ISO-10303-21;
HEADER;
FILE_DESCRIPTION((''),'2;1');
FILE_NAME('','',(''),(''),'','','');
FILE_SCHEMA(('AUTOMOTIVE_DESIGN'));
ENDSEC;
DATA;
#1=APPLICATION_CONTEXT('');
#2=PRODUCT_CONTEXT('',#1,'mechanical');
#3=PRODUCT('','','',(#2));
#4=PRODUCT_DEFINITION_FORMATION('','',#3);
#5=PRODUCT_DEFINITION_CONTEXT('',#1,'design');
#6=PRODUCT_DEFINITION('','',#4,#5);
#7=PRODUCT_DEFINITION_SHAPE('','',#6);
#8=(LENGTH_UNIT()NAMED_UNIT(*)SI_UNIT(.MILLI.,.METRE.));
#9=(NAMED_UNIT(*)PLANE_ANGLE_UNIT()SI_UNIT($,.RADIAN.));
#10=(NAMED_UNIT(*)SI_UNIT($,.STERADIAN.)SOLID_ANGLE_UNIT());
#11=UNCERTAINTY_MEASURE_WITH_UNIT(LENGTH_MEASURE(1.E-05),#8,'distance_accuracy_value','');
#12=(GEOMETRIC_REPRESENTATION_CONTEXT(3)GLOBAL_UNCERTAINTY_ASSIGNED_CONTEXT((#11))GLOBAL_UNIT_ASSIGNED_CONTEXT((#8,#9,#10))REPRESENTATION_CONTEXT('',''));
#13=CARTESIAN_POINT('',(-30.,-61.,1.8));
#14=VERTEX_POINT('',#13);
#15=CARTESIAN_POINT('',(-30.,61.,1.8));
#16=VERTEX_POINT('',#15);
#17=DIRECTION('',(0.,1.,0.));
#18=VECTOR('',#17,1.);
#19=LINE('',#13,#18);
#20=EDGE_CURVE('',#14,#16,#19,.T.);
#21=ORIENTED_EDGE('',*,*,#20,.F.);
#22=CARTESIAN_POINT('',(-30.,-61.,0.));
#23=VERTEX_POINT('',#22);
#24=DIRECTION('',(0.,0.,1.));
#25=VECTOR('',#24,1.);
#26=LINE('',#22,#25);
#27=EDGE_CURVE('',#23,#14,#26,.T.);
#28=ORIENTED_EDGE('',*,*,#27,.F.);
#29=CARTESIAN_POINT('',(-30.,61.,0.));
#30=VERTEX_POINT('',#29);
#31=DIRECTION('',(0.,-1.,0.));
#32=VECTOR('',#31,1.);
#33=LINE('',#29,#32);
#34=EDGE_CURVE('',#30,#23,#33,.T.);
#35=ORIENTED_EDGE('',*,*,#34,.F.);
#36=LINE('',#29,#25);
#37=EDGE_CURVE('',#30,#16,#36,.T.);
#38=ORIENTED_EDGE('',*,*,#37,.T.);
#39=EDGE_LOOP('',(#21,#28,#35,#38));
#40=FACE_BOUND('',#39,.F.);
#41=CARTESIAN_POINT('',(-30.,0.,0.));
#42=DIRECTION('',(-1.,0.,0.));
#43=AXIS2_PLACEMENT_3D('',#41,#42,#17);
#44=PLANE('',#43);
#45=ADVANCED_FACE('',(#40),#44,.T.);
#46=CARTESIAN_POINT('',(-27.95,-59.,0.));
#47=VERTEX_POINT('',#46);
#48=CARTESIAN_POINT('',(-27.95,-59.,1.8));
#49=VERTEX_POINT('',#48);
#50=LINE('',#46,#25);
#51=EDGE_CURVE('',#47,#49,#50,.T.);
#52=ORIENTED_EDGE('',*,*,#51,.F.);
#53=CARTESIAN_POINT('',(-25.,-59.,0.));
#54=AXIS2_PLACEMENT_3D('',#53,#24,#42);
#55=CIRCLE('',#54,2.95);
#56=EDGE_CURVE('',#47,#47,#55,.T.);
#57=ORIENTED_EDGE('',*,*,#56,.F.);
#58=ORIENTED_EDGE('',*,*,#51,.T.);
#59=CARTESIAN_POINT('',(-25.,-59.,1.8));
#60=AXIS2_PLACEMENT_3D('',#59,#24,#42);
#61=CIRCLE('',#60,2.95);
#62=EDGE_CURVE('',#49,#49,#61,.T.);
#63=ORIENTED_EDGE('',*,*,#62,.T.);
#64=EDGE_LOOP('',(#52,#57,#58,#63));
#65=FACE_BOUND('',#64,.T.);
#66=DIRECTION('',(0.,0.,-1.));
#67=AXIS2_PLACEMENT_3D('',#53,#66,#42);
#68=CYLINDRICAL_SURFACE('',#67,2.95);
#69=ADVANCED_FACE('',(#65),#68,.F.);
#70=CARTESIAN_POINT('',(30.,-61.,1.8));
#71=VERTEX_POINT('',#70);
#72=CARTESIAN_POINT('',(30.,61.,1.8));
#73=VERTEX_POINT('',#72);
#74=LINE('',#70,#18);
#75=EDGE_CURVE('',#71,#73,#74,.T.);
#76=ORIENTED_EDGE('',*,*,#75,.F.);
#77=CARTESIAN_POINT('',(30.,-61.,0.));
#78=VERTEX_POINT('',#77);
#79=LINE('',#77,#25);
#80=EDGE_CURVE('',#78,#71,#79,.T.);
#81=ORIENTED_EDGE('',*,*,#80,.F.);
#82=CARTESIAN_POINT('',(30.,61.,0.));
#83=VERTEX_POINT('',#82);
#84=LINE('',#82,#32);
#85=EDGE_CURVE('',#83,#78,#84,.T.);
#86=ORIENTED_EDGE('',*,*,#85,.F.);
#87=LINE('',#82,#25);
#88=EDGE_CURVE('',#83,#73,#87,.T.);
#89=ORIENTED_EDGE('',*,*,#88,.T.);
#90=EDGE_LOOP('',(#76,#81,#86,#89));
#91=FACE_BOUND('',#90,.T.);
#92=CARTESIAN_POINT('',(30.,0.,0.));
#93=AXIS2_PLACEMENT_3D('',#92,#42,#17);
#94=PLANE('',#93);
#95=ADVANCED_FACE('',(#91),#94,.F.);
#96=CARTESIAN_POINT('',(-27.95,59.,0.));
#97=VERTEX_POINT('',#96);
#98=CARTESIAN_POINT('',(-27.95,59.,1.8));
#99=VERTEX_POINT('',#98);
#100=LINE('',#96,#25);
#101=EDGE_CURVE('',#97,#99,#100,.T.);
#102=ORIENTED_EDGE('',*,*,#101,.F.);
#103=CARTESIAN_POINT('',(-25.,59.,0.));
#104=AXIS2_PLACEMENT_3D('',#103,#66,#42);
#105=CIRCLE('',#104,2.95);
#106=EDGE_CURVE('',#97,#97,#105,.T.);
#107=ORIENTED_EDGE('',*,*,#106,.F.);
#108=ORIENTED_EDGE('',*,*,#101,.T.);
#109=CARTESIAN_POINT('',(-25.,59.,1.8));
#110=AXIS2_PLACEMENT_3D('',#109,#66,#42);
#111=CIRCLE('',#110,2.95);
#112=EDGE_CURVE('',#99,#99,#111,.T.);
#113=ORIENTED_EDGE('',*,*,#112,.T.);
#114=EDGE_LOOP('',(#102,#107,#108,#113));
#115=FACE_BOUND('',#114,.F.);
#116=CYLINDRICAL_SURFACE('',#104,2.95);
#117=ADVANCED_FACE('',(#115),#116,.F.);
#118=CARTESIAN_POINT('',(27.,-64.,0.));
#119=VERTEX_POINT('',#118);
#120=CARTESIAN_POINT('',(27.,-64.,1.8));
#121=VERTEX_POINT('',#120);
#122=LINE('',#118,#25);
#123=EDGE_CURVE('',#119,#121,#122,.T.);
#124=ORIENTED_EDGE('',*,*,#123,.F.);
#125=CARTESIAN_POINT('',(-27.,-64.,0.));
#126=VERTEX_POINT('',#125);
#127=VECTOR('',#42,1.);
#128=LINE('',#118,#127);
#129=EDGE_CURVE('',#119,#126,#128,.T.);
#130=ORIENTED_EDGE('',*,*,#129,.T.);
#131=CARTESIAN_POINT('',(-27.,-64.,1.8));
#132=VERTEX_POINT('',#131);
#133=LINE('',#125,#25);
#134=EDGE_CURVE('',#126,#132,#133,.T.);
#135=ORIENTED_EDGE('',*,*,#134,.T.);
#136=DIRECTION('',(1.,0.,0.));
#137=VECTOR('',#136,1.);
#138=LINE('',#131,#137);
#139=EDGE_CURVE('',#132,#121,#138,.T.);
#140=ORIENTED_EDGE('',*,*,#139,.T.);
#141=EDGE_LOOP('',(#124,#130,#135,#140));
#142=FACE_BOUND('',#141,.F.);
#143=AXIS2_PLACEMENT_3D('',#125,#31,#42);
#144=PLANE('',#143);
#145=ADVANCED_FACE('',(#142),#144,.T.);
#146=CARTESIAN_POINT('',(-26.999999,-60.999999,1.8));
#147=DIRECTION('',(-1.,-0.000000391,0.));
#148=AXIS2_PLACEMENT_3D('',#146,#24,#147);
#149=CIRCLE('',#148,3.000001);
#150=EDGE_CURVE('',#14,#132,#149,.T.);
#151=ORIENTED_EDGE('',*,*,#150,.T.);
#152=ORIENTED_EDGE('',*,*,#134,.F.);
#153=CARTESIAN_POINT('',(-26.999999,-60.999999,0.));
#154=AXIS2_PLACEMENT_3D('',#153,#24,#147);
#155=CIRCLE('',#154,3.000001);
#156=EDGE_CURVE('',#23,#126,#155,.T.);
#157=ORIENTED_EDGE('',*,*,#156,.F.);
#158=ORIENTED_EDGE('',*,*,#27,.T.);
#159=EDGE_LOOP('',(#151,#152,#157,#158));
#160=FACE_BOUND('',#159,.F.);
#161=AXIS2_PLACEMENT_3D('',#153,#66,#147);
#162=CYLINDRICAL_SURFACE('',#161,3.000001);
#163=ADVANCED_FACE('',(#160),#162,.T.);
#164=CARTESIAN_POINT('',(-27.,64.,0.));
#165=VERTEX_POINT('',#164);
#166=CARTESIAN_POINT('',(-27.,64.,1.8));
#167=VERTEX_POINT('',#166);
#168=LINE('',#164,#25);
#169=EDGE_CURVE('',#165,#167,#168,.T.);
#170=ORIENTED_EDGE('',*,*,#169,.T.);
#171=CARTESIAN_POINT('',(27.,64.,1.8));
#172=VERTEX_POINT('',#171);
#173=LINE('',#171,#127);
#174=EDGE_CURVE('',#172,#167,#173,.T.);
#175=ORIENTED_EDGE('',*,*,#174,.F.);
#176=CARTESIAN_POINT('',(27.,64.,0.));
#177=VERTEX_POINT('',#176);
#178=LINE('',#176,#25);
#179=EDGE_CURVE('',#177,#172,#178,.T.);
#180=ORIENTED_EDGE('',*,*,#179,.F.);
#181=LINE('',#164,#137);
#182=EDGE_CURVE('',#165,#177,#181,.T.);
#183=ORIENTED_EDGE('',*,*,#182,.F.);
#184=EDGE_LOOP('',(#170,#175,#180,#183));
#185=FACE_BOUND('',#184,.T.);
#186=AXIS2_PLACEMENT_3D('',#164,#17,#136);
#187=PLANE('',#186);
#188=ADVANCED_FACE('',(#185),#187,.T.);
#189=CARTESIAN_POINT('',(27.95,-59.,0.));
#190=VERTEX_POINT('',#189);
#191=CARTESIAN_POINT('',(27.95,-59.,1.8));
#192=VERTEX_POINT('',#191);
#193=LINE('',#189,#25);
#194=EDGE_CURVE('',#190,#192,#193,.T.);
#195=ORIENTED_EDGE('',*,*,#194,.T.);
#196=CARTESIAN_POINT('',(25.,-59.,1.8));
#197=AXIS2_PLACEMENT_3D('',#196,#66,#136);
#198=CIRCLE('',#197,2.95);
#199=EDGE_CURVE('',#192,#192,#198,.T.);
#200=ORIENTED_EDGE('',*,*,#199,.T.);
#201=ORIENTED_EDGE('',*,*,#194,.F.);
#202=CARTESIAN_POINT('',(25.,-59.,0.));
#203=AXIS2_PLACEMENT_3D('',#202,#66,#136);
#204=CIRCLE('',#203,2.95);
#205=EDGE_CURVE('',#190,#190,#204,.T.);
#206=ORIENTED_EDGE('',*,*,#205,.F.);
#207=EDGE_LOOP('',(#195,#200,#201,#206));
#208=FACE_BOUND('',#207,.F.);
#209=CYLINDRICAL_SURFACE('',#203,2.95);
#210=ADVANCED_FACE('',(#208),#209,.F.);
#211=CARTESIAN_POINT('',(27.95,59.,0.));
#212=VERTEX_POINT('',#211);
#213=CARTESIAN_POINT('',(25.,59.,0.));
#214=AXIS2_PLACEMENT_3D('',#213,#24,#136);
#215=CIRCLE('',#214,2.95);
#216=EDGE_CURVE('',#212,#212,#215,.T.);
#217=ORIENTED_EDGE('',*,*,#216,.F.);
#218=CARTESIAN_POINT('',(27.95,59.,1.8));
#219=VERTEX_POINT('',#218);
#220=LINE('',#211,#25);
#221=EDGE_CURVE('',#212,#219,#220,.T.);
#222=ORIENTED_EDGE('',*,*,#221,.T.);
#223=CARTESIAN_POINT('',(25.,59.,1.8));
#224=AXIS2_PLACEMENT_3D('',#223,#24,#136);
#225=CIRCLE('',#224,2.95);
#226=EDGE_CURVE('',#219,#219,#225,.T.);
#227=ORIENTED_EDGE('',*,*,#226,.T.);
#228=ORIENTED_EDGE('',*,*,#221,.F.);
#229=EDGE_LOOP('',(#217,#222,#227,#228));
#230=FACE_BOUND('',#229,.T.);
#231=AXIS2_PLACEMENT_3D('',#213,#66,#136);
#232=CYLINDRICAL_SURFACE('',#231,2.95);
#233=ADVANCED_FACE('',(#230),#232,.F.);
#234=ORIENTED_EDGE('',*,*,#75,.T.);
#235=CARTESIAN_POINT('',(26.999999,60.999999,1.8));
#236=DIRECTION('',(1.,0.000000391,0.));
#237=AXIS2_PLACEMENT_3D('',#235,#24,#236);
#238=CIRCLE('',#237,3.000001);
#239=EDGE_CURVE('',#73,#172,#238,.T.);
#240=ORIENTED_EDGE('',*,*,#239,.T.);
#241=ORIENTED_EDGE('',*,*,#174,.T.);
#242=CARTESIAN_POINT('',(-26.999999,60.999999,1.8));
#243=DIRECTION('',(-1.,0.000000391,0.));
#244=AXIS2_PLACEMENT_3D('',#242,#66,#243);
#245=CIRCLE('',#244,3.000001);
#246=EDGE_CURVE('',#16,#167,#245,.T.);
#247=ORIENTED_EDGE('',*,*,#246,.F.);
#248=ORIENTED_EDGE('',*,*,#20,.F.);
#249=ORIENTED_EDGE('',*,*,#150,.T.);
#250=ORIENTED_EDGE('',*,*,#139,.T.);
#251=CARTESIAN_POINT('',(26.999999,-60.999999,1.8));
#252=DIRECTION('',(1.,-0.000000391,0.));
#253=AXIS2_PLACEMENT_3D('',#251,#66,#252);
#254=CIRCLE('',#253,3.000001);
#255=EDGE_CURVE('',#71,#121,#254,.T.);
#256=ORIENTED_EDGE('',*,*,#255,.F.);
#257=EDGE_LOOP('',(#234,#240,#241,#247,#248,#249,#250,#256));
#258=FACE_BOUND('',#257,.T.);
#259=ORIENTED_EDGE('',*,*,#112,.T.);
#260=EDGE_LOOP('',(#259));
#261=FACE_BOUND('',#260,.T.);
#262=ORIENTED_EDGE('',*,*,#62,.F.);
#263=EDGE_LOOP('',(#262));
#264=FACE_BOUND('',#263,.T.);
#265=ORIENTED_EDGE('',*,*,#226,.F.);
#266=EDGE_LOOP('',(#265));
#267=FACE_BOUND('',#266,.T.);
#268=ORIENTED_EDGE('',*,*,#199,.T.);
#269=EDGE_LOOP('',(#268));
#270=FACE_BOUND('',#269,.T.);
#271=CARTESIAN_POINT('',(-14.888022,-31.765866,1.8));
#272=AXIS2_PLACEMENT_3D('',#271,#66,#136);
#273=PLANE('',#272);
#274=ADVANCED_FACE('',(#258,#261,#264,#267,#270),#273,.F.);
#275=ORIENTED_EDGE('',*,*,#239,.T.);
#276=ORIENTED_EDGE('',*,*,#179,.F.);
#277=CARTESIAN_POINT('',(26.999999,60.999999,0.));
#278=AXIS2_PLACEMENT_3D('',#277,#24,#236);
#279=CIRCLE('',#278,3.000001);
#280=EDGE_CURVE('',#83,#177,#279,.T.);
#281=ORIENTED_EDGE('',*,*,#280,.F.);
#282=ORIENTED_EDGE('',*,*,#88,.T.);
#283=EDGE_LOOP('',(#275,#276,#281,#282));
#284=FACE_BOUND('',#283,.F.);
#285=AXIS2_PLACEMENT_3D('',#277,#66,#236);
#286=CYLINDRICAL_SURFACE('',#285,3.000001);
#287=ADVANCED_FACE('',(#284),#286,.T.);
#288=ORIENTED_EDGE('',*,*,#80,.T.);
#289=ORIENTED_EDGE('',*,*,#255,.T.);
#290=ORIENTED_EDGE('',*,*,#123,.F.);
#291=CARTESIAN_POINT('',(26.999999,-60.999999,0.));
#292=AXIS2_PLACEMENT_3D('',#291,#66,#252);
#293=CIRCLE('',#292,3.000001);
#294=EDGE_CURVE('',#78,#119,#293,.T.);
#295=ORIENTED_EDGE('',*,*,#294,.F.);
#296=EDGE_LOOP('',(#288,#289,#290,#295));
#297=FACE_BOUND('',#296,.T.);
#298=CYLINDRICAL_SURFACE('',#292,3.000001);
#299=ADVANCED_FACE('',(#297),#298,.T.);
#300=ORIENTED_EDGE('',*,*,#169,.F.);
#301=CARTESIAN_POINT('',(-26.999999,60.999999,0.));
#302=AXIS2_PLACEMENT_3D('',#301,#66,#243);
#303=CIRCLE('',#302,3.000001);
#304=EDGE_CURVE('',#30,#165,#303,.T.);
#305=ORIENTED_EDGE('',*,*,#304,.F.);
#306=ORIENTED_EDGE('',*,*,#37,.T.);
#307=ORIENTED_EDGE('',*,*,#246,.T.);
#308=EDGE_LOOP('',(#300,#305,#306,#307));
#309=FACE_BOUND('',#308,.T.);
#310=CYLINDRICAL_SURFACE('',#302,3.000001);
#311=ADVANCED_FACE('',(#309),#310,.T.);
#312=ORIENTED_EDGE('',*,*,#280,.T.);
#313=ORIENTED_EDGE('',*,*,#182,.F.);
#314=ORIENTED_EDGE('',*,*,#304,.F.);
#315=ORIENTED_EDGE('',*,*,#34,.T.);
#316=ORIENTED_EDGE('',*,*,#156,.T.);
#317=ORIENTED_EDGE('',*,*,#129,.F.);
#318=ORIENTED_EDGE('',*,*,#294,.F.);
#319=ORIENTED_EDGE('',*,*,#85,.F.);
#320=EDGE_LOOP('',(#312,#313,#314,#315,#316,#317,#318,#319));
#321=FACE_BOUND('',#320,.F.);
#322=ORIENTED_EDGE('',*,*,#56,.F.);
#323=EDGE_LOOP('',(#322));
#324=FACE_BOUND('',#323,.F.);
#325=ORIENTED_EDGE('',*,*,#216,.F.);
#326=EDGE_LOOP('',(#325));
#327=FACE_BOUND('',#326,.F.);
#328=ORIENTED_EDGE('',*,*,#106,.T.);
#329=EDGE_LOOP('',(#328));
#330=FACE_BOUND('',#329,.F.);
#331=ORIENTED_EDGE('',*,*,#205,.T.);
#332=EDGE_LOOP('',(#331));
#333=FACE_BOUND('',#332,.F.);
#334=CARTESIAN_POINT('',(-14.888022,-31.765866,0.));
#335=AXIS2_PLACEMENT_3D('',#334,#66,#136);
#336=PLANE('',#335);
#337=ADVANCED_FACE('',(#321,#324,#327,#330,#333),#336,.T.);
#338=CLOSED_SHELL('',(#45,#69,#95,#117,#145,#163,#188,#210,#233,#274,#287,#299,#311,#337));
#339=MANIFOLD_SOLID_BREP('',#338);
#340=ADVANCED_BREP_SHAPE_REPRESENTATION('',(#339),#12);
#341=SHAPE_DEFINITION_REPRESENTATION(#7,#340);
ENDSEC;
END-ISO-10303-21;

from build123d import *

# Parameters (mm, degrees)
SKETCH_R             = 2.95
PAD_DEPTH            = 1.8
SKETCH_MIRRORED_2_R  = 2.95
PAD_MIRRORED_2_DEPTH = 1.8


with BuildPart() as part:
    # Sketch → Pad (new body)
    with BuildSketch(Plane.XY):
        with BuildLine():
            Line((0, 0), (30, 0))
            Line((30, 0), (30, 61))
            ThreePointArc((30, 61), (29.12132, 63.12132), (27, 64))
            Line((27, 64), (0, 64))
            Line((0, 64), (0, 0))
        make_face()
        with Locations((25, 59)):
            Circle(SKETCH_R, mode=Mode.SUBTRACT)
    pad = extrude(amount=PAD_DEPTH)

    # Sketch Mirrored 2 → Pad Mirrored 2 (add)
    with BuildSketch(Plane(origin=(0, 0, 0), x_dir=(-1, 0, 0), z_dir=(0, 0, -1))):
        with BuildLine():
            Line((0, 0), (30, 0))
            Line((30, 0), (30, 61))
            ThreePointArc((30, 61), (29.12132, 63.12132), (27, 64))
            Line((27, 64), (0, 64))
            Line((0, 64), (0, 0))
        make_face()
        with Locations((25, 59)):
            Circle(SKETCH_MIRRORED_2_R, mode=Mode.SUBTRACT)
    pad_mirrored_2 = extrude(amount=-PAD_MIRRORED_2_DEPTH)

    # Mirrored001: Pad, Pad Mirrored 2 across Sketch H_Axis
    add(pad.mirror(Plane.ZX))
    add(pad_mirrored_2.mirror(Plane.ZX))


solid = part.part
